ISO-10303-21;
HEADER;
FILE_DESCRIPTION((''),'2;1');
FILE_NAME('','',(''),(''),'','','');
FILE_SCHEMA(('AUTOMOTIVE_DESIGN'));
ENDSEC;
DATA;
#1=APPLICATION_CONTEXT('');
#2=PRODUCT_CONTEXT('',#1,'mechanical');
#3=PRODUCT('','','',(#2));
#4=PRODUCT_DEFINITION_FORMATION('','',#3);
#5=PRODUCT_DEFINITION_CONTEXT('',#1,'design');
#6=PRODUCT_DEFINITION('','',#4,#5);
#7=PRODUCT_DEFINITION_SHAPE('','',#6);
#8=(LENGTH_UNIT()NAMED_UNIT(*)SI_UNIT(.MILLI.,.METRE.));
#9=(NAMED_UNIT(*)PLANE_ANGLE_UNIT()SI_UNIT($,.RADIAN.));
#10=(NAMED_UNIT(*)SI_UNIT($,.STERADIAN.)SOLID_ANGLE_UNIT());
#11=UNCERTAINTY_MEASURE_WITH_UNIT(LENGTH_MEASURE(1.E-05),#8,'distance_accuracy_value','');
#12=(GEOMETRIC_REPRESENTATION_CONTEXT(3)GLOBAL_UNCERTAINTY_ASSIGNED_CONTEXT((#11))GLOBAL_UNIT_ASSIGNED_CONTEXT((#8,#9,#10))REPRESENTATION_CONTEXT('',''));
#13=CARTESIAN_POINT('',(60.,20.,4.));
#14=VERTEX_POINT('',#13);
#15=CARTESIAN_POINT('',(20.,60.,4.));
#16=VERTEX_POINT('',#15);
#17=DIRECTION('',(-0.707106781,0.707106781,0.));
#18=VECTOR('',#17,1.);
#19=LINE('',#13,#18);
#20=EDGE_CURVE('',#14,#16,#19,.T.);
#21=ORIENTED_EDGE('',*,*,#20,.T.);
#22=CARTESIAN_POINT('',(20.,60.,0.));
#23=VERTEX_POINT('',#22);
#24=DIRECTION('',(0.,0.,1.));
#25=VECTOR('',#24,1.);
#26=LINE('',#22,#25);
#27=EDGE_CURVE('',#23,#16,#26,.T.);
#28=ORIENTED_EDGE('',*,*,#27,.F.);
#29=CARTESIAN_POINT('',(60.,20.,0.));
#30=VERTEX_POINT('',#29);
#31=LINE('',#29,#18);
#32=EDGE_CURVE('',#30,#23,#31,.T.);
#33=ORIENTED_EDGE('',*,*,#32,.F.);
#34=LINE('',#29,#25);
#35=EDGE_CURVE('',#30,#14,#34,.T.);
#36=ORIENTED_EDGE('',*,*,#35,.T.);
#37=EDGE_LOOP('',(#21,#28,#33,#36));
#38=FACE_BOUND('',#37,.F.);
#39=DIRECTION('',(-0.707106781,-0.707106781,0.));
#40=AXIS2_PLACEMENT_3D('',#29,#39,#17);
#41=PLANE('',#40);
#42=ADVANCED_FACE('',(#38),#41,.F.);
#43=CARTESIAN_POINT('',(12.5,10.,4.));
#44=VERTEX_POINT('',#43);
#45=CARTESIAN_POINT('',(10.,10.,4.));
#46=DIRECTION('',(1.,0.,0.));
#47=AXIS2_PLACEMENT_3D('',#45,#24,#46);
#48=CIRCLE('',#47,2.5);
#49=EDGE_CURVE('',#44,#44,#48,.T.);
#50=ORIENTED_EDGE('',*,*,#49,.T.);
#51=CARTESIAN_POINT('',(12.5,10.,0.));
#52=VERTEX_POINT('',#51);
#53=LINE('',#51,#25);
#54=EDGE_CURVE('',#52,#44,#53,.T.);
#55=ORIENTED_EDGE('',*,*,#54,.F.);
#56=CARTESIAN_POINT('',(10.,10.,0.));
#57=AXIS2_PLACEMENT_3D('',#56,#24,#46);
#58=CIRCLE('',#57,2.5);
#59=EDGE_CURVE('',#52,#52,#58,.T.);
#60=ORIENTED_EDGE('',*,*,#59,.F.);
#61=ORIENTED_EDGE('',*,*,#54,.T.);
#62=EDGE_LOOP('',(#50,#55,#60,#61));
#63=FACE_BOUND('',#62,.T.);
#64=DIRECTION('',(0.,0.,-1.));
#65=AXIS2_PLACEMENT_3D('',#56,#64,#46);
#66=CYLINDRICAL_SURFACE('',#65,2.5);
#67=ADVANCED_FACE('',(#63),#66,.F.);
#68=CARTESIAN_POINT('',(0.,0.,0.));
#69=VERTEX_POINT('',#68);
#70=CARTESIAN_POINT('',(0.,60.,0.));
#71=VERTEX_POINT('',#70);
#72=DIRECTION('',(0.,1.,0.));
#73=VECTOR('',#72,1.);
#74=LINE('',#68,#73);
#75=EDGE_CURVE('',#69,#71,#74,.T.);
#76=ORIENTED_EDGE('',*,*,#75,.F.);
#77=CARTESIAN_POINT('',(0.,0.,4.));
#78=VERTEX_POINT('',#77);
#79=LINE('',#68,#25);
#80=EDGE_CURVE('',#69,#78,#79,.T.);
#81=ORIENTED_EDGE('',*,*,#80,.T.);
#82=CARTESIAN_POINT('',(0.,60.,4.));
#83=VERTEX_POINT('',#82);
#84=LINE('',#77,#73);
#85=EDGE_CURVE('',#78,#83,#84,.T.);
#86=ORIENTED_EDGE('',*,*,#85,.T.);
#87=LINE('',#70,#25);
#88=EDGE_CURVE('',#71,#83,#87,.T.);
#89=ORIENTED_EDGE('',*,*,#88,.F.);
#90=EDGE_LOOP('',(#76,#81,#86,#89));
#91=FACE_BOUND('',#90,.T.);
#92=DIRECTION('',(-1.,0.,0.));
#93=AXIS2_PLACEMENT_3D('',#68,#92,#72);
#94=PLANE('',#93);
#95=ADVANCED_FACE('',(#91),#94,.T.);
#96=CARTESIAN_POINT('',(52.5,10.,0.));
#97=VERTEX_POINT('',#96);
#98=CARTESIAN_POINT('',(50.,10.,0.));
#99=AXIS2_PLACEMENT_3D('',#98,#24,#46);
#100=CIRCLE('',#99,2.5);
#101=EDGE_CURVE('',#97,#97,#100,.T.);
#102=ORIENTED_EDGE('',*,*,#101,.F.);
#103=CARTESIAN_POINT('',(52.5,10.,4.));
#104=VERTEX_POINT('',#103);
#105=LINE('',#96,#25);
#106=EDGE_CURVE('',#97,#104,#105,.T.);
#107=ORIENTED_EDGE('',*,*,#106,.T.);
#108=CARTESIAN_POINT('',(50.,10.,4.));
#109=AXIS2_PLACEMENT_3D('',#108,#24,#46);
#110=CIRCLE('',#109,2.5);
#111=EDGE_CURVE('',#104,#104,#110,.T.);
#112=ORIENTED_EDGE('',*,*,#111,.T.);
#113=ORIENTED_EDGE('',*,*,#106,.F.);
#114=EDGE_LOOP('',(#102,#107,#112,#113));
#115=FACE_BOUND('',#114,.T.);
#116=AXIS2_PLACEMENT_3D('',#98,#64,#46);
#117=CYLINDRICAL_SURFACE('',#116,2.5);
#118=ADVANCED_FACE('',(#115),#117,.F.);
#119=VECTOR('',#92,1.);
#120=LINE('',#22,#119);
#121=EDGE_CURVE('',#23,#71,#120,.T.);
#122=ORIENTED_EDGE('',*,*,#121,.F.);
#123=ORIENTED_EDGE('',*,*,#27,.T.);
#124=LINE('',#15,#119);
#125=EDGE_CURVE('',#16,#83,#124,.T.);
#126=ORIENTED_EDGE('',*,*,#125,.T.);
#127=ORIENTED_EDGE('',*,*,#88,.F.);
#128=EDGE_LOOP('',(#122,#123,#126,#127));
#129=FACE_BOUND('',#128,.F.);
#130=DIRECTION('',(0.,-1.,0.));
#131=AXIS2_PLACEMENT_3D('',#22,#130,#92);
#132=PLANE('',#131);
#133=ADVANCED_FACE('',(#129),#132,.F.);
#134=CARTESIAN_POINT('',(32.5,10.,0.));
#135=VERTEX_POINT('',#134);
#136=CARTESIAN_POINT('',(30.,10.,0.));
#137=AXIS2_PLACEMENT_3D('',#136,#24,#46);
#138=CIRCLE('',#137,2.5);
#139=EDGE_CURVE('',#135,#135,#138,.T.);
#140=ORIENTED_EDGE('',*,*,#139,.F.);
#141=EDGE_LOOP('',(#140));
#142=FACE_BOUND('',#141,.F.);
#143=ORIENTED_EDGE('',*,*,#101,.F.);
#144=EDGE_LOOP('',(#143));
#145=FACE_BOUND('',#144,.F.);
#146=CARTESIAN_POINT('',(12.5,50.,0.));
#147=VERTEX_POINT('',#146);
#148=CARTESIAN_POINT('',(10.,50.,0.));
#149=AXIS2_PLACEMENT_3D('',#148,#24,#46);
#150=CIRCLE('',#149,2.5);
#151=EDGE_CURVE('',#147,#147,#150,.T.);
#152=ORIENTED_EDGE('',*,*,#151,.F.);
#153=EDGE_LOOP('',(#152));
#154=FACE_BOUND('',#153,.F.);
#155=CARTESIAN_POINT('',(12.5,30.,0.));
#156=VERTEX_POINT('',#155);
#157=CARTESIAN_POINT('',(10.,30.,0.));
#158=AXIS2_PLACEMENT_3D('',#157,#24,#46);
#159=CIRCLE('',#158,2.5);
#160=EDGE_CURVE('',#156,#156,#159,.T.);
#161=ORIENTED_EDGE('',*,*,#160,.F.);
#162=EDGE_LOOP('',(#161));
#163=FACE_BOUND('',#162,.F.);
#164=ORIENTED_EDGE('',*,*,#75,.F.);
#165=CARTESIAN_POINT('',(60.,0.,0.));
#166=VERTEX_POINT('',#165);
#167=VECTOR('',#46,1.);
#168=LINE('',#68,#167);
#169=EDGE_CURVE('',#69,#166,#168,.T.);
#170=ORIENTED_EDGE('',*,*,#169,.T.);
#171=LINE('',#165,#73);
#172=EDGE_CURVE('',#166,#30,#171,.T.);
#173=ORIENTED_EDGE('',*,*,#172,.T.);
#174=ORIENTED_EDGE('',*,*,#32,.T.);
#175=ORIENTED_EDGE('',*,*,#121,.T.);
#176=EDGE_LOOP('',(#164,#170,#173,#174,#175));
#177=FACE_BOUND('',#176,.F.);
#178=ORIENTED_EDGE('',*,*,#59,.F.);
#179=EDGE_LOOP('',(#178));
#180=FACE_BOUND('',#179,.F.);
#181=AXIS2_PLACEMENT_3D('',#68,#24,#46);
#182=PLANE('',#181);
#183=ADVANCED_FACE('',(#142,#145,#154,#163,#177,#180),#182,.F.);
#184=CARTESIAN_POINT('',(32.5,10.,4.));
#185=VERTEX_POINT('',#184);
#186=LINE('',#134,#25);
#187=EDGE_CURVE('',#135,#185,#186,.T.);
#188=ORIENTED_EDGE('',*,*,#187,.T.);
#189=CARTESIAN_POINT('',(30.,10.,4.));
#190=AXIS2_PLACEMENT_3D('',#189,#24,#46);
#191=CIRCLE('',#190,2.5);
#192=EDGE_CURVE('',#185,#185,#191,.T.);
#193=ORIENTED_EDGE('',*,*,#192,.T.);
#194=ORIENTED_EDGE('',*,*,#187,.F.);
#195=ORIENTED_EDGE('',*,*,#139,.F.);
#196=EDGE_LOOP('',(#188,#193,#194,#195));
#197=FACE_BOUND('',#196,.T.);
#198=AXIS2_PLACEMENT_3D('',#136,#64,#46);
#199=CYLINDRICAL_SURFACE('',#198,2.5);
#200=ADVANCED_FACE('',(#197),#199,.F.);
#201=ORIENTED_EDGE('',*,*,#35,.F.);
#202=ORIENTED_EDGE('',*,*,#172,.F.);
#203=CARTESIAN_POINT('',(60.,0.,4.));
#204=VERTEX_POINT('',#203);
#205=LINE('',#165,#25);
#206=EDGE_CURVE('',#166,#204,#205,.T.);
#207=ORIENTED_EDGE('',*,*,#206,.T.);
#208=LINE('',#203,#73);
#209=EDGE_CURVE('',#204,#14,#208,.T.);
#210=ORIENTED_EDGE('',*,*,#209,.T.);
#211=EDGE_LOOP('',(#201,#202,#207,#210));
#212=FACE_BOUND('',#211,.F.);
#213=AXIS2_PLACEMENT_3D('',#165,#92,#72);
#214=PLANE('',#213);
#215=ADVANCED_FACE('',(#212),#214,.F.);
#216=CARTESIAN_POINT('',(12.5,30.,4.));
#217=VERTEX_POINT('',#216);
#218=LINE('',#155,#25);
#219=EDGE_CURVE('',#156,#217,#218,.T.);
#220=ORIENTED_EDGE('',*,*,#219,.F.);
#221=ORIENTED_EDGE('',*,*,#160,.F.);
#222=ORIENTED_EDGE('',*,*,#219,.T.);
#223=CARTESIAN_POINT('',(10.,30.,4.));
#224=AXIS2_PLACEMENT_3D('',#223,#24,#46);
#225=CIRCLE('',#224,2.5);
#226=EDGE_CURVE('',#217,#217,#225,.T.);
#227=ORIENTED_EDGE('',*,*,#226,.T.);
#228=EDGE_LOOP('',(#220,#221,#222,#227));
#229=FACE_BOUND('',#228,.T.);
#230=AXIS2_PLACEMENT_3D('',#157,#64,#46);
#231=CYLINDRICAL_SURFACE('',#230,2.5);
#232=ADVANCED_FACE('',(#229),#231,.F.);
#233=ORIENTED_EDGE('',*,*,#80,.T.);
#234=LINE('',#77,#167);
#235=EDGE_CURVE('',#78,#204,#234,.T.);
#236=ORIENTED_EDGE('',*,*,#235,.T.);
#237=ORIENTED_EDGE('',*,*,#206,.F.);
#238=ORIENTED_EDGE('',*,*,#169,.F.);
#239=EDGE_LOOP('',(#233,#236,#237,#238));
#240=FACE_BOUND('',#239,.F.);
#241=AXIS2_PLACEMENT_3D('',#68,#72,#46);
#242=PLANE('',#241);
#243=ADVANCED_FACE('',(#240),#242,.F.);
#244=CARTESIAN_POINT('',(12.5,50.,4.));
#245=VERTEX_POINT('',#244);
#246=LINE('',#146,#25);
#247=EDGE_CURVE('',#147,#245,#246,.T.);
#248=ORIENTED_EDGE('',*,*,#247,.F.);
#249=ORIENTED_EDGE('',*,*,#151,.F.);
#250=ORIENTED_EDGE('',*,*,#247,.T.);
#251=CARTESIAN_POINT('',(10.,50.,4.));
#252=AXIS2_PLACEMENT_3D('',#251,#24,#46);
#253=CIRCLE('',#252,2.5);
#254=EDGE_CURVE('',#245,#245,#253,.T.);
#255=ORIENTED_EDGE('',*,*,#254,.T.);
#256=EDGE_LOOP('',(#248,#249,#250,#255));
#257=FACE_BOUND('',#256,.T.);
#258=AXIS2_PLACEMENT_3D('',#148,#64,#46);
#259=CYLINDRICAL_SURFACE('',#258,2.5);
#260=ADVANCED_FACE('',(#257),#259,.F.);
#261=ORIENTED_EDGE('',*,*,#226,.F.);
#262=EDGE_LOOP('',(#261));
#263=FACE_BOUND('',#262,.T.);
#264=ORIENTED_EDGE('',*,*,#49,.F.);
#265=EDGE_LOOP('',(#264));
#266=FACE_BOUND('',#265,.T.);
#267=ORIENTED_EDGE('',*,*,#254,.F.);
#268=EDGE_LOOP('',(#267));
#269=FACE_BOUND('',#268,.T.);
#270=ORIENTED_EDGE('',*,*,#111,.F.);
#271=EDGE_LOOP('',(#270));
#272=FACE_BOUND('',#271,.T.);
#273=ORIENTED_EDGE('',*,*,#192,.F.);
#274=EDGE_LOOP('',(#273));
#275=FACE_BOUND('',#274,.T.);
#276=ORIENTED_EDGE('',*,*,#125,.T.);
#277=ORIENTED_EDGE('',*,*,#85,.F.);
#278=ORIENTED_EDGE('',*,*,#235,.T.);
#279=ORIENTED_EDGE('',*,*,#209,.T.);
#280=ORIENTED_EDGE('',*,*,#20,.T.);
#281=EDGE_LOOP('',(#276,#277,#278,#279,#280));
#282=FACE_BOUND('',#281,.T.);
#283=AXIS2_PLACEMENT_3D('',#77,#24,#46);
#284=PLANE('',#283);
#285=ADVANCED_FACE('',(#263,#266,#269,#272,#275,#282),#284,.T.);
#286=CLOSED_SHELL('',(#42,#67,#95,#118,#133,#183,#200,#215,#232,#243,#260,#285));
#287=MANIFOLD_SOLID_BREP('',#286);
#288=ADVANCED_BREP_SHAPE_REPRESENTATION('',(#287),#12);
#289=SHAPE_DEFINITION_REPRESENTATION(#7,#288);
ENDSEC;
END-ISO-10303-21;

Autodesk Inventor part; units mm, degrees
ref_plane "YZ Plane" through (0, 0, 0) normal (1, 0, 0) x (0, 1, 0)
ref_plane "XZ Plane" through (0, 0, 0) normal (0, 1, 0) x (-1, 0, 0)
ref_plane "XY Plane" through (0, 0, 0) normal (0, 0, 1) x (1, 0, 0)
sketch "Boceto1" plane through (0, 0, 0) normal (0, 0, 1) x (1, 0, 0)
  line L0 (190.1282, 320.5488) -> (475.893, 320.5488) construction
  line L1 (475.893, 320.5488) -> (475.893, 34.784) construction
  line L2 (475.893, 34.784) -> (190.1282, 34.784) construction
  line L3 (190.1282, 34.784) -> (190.1282, 320.5488) construction
  line L4 (0, 0) -> (0, 60)
  line L5 (0, 0) -> (60, 0)
  line L6 (60, 0) -> (60, 20)
  line L7 (60, 20) -> (20, 60)
  line L8 (20, 60) -> (0, 60)
  circle A0 centre (10, 50) radius 2.5
  circle A1 centre (10, 30) radius 2.5
  circle A2 centre (10, 10) radius 2.5
  circle A3 centre (30, 10) radius 2.5
  circle A4 centre (50, 10) radius 2.5
  point P0 (0, 30)
  point P1 (30, 0)
  dimension "d3" = 60
  dimension "d4" = 60
  dimension "d5" = 20
  dimension "d6" = 20
  dimension "d7" = 5
  dimension "d10" = 20
  dimension "d19" = 20
extrude "Extrusión1" add sketch "Boceto1" along normal blind 4
properties part number "LPlate" material "Aluminio 6061"
